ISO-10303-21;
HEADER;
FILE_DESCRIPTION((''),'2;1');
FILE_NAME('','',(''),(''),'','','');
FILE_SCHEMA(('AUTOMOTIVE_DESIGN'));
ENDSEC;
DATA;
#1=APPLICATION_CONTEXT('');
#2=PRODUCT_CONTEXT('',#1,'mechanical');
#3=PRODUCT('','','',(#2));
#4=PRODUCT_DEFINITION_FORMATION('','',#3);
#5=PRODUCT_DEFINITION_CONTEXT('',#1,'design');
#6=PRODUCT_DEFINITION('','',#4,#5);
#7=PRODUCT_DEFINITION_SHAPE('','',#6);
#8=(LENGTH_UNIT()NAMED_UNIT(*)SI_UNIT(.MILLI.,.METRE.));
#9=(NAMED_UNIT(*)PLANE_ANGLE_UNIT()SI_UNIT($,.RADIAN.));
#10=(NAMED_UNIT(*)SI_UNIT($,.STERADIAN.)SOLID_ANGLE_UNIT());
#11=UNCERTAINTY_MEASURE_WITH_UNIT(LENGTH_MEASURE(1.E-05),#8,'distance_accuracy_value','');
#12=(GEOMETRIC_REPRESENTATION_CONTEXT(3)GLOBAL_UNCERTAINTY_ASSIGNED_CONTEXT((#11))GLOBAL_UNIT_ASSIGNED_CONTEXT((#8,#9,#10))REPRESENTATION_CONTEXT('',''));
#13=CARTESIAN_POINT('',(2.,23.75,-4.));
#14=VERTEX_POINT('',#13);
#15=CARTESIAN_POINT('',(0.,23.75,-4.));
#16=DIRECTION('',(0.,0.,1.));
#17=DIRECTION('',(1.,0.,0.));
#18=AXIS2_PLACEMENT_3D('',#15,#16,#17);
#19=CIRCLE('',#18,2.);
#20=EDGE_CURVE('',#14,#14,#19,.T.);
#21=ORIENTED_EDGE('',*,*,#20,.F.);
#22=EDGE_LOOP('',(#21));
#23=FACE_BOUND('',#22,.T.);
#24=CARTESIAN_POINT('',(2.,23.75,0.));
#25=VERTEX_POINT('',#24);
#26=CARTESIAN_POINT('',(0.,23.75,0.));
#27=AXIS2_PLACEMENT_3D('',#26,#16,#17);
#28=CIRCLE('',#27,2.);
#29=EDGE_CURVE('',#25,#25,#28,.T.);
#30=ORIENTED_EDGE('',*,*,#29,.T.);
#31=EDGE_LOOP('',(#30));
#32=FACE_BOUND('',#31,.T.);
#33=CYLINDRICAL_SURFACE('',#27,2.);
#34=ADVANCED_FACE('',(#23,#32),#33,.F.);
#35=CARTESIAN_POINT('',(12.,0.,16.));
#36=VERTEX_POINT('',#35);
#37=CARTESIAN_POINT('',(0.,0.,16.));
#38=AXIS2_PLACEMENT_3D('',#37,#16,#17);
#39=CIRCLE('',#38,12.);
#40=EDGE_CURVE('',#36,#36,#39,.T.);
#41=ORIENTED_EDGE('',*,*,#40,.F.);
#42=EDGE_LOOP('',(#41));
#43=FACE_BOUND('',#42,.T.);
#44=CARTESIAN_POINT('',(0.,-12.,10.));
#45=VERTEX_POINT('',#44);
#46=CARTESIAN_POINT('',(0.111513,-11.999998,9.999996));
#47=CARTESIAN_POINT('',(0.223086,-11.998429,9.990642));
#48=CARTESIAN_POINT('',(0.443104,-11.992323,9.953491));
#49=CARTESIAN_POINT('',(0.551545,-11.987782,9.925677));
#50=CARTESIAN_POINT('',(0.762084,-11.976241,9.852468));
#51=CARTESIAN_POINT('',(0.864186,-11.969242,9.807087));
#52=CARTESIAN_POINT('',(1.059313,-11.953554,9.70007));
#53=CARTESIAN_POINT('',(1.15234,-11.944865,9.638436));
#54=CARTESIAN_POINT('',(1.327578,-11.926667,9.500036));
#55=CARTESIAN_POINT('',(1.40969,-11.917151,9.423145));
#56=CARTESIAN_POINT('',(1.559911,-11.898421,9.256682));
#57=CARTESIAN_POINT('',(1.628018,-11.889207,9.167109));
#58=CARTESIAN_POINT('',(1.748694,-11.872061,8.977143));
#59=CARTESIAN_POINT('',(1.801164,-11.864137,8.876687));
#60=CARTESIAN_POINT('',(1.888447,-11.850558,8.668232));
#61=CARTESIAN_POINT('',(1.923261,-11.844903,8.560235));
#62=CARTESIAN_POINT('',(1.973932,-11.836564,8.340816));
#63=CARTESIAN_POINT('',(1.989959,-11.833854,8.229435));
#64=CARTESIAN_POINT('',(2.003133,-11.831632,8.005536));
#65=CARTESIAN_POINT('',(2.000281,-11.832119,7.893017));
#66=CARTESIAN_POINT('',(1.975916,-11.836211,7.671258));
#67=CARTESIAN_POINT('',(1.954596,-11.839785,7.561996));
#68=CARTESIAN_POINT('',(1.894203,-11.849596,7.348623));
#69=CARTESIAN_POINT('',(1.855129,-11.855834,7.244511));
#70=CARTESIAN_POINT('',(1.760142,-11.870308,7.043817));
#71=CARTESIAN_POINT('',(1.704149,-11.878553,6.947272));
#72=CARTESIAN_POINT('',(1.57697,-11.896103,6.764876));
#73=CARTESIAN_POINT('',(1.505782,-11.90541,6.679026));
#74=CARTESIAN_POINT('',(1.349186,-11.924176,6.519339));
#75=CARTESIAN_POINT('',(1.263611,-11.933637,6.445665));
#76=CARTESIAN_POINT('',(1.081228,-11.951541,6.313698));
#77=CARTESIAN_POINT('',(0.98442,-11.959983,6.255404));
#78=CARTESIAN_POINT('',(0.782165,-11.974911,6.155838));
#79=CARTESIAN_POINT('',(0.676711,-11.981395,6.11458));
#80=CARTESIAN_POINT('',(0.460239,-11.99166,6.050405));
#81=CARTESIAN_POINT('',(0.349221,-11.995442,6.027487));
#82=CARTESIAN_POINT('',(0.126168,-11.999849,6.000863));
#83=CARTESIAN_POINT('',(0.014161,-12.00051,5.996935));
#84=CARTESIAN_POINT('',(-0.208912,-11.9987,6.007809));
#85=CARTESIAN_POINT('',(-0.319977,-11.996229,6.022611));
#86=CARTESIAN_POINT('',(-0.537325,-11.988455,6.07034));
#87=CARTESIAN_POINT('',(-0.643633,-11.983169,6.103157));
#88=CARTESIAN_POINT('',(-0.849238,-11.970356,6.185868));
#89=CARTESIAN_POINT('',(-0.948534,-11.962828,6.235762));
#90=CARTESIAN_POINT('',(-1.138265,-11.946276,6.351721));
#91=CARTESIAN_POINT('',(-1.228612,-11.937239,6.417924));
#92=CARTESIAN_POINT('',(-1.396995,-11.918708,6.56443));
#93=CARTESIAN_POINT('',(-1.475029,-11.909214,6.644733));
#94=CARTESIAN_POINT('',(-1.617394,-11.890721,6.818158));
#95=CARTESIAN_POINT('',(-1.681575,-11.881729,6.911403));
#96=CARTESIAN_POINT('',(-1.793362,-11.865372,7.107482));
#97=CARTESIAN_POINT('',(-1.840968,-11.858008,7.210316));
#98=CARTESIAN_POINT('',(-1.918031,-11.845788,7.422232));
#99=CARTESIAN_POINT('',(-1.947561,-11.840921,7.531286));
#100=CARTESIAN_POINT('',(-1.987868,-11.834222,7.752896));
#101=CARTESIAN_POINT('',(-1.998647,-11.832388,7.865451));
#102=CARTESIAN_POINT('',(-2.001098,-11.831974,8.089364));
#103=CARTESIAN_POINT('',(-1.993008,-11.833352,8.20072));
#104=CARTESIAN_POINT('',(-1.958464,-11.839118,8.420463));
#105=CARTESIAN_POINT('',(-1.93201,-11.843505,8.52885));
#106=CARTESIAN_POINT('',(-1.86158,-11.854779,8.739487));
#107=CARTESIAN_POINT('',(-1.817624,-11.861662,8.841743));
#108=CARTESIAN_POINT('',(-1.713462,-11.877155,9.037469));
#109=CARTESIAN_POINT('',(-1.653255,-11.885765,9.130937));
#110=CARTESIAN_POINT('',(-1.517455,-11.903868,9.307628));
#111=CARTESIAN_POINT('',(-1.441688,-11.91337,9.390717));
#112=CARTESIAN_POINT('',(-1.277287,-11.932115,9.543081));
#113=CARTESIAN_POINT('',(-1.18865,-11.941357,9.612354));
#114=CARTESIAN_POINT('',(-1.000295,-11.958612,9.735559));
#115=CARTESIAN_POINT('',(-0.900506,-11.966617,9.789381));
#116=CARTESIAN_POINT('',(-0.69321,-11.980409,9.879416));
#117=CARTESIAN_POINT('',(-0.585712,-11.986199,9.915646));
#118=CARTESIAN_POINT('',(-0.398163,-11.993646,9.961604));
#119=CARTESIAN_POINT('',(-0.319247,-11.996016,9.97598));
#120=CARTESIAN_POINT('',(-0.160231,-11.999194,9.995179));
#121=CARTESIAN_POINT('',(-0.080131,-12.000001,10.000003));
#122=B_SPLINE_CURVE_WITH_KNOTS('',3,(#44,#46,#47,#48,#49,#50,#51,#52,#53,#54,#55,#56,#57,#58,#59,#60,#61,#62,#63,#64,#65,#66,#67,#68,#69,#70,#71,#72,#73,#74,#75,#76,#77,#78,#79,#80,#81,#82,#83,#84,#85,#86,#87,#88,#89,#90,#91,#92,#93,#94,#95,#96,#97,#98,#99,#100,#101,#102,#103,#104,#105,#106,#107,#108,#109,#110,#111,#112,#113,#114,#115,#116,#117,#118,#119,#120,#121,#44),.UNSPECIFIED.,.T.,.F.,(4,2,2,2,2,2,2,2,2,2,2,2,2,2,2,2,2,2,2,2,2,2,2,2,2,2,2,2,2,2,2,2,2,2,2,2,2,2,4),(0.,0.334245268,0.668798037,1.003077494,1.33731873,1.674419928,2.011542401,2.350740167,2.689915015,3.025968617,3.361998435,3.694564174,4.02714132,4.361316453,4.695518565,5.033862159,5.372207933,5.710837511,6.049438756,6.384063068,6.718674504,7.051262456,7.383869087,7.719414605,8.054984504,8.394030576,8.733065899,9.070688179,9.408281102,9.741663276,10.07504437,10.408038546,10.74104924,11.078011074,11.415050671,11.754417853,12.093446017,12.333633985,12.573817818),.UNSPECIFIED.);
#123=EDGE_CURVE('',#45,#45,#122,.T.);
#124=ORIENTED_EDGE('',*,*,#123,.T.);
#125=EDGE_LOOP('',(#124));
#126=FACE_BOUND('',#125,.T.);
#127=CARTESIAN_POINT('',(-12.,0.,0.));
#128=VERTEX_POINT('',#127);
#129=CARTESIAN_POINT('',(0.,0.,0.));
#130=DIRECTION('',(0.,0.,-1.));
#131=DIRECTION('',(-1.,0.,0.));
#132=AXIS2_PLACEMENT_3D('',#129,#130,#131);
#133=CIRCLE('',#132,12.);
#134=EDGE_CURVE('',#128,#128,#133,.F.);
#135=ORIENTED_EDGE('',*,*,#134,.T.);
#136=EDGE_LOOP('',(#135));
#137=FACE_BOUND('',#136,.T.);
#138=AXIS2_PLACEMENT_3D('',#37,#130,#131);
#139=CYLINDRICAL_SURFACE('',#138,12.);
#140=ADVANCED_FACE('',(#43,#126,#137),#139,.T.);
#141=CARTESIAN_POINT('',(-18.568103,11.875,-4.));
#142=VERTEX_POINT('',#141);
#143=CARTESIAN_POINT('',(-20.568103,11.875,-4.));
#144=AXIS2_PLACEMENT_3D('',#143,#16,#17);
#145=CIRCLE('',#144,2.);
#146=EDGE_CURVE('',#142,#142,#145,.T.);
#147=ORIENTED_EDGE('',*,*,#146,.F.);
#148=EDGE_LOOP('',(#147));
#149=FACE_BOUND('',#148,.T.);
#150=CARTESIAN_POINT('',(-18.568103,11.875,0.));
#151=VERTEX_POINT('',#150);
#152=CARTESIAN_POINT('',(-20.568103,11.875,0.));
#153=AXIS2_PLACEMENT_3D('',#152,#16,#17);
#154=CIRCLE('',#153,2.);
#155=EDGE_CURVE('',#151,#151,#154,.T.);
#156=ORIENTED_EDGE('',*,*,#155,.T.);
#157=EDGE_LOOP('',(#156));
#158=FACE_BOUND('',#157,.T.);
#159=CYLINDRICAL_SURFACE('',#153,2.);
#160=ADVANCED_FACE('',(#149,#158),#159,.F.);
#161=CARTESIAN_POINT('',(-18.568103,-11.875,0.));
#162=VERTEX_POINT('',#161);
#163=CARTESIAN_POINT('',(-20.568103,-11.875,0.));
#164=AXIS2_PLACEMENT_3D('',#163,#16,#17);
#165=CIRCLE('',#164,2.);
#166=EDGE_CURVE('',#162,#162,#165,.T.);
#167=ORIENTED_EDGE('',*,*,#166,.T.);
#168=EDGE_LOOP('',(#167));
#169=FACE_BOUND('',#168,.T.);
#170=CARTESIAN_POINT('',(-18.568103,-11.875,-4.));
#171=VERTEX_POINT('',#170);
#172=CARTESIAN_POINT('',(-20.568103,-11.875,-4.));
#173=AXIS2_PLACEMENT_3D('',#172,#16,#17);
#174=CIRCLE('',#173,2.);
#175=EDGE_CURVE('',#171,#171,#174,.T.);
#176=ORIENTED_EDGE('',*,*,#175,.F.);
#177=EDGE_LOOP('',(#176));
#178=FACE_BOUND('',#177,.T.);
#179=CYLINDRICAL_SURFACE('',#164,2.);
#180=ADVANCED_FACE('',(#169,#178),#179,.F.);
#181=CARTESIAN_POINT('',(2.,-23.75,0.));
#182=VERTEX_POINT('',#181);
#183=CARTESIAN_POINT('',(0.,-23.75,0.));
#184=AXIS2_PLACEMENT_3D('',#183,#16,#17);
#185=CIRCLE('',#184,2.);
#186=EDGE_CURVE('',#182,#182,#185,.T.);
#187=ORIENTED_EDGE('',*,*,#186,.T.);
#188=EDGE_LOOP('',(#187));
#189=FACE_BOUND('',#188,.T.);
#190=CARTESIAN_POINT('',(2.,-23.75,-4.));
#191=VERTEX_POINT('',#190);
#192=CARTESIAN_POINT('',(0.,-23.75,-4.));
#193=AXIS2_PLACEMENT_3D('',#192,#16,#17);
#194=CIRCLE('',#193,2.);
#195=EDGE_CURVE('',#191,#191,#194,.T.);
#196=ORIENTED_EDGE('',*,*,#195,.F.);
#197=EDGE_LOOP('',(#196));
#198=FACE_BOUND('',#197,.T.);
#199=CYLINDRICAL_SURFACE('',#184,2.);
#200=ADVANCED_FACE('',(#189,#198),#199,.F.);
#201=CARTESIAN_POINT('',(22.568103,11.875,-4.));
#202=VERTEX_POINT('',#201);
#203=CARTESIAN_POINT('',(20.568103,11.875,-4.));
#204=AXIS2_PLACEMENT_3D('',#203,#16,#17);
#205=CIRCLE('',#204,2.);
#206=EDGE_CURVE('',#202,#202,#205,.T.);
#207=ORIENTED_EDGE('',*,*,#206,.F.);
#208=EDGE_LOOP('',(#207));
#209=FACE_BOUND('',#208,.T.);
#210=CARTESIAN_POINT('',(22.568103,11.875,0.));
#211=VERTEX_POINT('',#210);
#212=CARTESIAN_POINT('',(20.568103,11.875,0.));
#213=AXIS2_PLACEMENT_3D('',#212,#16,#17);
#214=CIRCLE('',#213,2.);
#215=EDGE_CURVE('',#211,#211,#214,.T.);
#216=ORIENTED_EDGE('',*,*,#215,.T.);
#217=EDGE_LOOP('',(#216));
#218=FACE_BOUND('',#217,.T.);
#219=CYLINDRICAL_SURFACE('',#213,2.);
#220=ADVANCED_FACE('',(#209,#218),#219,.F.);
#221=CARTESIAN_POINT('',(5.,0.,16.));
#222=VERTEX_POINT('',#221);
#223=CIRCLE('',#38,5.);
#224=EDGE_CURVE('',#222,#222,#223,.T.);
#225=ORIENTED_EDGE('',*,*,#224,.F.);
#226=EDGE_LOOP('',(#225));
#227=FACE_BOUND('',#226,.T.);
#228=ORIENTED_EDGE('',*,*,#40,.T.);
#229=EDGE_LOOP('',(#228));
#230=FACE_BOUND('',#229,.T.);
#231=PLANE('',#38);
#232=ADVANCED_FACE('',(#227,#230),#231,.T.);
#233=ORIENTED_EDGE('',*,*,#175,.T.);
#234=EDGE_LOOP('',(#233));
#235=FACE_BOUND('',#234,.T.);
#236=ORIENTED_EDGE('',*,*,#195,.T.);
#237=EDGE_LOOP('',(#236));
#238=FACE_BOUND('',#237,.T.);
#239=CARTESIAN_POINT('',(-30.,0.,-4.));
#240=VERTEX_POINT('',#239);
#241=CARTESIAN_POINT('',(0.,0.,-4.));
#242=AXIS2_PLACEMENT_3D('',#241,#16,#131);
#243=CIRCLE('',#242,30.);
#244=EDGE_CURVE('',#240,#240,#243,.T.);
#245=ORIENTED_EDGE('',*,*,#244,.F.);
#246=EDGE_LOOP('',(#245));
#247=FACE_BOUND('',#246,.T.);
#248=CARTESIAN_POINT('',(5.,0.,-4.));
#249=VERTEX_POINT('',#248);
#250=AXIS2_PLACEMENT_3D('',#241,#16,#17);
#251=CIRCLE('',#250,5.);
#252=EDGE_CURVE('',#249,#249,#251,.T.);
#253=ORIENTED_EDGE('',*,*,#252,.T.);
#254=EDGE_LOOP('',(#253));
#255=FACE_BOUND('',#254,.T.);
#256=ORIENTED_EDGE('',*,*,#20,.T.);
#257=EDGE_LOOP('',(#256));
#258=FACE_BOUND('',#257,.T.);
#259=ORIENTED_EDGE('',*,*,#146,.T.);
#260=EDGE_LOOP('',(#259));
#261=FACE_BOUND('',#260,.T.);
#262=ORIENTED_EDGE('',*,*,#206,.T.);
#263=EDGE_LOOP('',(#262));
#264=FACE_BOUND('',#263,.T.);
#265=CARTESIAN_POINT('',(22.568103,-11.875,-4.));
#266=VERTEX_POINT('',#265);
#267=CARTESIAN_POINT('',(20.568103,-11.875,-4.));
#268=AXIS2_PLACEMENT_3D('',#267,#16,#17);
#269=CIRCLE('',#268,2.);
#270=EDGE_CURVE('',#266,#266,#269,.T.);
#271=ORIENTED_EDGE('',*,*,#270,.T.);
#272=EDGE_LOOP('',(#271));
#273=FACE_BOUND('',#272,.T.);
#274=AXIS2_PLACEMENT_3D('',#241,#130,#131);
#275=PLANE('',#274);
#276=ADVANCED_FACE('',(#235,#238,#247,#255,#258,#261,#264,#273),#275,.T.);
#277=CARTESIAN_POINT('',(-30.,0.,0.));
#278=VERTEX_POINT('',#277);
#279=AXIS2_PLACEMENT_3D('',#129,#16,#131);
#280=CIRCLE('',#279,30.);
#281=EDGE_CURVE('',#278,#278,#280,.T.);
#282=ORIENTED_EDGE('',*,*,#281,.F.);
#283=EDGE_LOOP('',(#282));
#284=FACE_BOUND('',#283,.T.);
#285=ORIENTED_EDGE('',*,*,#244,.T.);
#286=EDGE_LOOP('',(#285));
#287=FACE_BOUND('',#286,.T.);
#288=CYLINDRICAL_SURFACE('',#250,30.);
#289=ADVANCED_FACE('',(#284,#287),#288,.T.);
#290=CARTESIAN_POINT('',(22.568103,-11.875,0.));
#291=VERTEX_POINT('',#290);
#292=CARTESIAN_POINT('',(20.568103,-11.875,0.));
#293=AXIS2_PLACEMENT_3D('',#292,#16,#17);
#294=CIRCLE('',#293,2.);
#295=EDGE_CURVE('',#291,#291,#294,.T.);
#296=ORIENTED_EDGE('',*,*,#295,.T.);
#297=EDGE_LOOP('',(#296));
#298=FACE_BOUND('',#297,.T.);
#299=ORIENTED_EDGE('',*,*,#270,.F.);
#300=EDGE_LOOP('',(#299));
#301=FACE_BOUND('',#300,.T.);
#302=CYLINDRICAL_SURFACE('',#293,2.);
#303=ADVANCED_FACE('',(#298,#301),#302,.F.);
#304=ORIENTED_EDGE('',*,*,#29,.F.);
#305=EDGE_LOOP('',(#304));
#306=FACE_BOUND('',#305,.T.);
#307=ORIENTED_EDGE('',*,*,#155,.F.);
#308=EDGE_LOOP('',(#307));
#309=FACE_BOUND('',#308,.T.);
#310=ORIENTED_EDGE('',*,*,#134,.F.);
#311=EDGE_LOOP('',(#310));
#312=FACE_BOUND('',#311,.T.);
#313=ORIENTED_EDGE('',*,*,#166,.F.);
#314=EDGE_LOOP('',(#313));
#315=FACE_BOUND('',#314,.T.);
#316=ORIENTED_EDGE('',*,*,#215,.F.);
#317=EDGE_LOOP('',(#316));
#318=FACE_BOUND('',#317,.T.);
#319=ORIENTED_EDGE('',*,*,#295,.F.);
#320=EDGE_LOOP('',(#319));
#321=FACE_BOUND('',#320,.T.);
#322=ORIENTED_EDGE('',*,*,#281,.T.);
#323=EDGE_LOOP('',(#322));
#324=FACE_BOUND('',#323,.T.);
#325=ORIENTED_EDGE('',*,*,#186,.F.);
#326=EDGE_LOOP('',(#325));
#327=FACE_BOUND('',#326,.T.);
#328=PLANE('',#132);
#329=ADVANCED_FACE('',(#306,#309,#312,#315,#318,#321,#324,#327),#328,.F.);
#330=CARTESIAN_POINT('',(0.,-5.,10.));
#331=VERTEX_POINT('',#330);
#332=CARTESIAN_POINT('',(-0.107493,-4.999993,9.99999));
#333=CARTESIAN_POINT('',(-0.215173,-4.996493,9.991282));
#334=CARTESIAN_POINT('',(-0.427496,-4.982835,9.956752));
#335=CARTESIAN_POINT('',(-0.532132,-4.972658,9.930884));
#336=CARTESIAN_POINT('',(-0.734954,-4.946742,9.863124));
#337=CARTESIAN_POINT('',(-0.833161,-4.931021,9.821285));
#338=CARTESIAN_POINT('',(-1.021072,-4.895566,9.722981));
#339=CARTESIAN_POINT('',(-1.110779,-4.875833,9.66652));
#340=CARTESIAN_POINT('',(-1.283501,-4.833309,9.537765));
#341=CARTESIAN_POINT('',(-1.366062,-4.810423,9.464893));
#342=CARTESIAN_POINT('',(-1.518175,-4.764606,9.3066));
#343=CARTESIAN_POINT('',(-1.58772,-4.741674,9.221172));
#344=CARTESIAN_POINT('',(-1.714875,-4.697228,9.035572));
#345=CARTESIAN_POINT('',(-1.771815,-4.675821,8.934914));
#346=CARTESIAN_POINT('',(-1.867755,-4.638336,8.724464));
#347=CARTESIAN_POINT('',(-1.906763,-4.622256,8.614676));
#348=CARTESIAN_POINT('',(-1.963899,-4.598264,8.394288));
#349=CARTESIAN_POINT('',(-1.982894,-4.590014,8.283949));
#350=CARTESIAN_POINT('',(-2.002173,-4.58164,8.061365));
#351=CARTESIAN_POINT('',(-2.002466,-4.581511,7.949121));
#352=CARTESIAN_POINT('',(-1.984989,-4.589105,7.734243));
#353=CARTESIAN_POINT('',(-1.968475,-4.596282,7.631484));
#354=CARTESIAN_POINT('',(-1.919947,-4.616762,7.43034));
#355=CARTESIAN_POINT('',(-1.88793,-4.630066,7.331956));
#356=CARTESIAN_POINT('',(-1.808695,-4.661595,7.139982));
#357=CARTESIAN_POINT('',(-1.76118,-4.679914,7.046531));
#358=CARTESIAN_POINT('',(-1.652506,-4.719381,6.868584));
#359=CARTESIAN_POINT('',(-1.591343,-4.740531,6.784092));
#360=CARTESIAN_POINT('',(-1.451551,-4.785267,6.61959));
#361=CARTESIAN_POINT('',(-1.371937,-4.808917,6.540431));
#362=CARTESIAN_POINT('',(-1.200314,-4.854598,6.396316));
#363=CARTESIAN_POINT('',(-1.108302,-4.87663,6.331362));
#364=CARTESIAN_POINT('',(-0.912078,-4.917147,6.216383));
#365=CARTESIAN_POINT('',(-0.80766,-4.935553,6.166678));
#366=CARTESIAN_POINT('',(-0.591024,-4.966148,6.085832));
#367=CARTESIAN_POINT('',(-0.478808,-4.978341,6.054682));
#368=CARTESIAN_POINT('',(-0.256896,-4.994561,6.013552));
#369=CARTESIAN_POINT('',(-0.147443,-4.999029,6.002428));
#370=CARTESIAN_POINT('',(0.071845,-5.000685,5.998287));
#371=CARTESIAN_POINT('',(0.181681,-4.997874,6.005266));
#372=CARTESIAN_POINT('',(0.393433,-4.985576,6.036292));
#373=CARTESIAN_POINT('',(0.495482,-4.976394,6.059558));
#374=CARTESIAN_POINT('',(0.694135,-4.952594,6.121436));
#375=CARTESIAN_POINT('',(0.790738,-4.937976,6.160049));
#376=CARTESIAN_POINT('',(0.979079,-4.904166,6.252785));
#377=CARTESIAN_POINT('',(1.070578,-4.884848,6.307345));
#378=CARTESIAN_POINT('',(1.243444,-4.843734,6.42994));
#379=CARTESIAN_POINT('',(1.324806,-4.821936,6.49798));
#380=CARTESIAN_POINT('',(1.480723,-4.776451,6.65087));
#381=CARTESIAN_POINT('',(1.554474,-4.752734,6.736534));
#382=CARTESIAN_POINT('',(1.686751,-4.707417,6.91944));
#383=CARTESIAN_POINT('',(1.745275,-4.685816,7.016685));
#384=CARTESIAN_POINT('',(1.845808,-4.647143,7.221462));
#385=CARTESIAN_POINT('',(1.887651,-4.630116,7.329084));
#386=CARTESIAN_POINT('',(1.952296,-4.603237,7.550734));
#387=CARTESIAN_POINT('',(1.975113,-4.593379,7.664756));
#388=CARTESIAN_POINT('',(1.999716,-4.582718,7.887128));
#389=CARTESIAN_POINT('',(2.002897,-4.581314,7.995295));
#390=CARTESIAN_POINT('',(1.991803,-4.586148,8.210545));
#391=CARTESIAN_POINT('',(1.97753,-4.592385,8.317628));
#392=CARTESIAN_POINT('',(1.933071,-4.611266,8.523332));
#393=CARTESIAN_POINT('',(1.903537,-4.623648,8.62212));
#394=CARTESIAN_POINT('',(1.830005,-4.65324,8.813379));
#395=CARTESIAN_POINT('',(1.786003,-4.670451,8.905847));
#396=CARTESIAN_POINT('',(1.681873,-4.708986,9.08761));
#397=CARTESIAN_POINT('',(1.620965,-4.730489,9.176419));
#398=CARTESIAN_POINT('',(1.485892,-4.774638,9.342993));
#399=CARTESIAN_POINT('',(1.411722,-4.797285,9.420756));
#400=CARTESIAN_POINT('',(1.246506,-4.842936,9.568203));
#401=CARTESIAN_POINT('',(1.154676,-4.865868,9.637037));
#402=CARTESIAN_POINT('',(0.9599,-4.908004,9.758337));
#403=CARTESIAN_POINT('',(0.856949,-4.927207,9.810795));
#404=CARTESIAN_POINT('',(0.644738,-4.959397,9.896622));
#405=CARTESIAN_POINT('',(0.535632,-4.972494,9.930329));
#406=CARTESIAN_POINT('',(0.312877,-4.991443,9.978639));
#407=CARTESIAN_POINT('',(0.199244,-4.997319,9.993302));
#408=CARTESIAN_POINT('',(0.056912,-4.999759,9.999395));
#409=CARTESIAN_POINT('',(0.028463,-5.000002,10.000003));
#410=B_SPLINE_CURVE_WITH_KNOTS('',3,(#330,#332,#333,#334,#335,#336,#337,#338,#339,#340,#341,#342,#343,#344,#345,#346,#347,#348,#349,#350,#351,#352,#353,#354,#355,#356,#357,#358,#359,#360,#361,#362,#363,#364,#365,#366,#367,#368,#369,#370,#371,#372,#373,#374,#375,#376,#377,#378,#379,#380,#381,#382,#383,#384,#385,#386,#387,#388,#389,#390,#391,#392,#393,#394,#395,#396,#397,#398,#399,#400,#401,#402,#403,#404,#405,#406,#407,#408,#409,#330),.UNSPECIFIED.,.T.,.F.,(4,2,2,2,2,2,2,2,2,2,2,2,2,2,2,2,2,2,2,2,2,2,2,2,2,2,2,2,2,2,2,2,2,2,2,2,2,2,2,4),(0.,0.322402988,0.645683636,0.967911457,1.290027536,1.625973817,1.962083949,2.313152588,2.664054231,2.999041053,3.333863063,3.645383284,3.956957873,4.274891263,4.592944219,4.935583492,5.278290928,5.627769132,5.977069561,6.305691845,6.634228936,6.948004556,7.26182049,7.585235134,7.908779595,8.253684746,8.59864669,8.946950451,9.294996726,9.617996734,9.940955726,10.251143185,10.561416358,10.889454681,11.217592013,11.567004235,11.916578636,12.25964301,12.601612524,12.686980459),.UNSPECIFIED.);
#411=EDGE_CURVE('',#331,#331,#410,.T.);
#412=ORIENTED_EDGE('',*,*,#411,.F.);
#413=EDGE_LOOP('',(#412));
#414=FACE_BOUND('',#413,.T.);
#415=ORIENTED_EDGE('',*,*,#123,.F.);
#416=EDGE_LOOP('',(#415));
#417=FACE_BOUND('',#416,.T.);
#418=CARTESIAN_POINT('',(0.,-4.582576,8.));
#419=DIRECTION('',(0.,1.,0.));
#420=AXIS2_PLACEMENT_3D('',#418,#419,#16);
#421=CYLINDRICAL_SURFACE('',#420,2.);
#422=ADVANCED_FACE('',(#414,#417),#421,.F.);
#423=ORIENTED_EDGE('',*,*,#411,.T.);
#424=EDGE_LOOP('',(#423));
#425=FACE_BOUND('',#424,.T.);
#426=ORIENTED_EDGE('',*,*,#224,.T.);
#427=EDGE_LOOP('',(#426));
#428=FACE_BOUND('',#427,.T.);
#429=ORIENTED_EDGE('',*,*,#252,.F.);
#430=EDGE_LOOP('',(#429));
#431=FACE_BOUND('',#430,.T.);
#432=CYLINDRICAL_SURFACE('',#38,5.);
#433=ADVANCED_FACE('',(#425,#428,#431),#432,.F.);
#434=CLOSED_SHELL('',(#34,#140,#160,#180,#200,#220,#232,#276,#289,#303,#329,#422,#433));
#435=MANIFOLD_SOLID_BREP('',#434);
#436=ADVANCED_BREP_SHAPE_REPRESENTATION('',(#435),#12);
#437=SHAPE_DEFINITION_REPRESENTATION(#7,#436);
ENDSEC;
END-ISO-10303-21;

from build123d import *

# Parameters (mm, degrees)
SKETCH1_R                  = 30
BOSS_EXTRUDE1_DEPTH        = 4
SKETCH2_R                  = 12
BOSS_EXTRUDE2_DEPTH        = 16
F_4_0_4_DIAMETER_HOLE1_D   = 4
F_10_0_10_DIAMETER_HOLE1_D = 10
SKETCH7_W                  = 2
SKETCH7_H                  = 24


with BuildPart() as part:
    # Sketch1 → Boss-Extrude1 (new body)
    with BuildSketch(Plane.XY):
        with Locations(Location((0, 0, 0), (0, 0, 180))):
            Circle(SKETCH1_R)
    extrude(amount=-BOSS_EXTRUDE1_DEPTH)

    # Sketch2 → Boss-Extrude2 (add)
    with BuildSketch(Plane.XY):
        with Locations(Location((0, 0, 0), (0, 0, 180))):
            Circle(SKETCH2_R)
    extrude(amount=BOSS_EXTRUDE2_DEPTH)

    # Ø4.0 (4) Diameter Hole1 (through all)
    with Locations(Plane.XY):
        with Locations((20.56810334, -11.875), (0, 23.75), (0, -23.75), (20.56810334, 11.875), (-20.56810334, 11.875), (-20.56810334, -11.875)):
            Hole(F_4_0_4_DIAMETER_HOLE1_D / 2)

    # Ø10.0 (10) Diameter Hole1 (through all)
    with Locations(Plane.XY.offset(16)):
        with Locations((0, 0)):
            Hole(F_10_0_10_DIAMETER_HOLE1_D / 2)

    # Sketch7 → Ø4.0 (4) Diameter Hole2 (revolve, cut)
    with BuildSketch(Plane(origin=(0, -4.582575695, 8), x_dir=(0, 0, 1), z_dir=(1, 0, 0))):
        with Locations((1, 12)):
            Rectangle(SKETCH7_W, SKETCH7_H)
    revolve(axis=Axis((0, 1.767424305, 8), (0, -1, 0)), mode=Mode.SUBTRACT)


solid = part.part
